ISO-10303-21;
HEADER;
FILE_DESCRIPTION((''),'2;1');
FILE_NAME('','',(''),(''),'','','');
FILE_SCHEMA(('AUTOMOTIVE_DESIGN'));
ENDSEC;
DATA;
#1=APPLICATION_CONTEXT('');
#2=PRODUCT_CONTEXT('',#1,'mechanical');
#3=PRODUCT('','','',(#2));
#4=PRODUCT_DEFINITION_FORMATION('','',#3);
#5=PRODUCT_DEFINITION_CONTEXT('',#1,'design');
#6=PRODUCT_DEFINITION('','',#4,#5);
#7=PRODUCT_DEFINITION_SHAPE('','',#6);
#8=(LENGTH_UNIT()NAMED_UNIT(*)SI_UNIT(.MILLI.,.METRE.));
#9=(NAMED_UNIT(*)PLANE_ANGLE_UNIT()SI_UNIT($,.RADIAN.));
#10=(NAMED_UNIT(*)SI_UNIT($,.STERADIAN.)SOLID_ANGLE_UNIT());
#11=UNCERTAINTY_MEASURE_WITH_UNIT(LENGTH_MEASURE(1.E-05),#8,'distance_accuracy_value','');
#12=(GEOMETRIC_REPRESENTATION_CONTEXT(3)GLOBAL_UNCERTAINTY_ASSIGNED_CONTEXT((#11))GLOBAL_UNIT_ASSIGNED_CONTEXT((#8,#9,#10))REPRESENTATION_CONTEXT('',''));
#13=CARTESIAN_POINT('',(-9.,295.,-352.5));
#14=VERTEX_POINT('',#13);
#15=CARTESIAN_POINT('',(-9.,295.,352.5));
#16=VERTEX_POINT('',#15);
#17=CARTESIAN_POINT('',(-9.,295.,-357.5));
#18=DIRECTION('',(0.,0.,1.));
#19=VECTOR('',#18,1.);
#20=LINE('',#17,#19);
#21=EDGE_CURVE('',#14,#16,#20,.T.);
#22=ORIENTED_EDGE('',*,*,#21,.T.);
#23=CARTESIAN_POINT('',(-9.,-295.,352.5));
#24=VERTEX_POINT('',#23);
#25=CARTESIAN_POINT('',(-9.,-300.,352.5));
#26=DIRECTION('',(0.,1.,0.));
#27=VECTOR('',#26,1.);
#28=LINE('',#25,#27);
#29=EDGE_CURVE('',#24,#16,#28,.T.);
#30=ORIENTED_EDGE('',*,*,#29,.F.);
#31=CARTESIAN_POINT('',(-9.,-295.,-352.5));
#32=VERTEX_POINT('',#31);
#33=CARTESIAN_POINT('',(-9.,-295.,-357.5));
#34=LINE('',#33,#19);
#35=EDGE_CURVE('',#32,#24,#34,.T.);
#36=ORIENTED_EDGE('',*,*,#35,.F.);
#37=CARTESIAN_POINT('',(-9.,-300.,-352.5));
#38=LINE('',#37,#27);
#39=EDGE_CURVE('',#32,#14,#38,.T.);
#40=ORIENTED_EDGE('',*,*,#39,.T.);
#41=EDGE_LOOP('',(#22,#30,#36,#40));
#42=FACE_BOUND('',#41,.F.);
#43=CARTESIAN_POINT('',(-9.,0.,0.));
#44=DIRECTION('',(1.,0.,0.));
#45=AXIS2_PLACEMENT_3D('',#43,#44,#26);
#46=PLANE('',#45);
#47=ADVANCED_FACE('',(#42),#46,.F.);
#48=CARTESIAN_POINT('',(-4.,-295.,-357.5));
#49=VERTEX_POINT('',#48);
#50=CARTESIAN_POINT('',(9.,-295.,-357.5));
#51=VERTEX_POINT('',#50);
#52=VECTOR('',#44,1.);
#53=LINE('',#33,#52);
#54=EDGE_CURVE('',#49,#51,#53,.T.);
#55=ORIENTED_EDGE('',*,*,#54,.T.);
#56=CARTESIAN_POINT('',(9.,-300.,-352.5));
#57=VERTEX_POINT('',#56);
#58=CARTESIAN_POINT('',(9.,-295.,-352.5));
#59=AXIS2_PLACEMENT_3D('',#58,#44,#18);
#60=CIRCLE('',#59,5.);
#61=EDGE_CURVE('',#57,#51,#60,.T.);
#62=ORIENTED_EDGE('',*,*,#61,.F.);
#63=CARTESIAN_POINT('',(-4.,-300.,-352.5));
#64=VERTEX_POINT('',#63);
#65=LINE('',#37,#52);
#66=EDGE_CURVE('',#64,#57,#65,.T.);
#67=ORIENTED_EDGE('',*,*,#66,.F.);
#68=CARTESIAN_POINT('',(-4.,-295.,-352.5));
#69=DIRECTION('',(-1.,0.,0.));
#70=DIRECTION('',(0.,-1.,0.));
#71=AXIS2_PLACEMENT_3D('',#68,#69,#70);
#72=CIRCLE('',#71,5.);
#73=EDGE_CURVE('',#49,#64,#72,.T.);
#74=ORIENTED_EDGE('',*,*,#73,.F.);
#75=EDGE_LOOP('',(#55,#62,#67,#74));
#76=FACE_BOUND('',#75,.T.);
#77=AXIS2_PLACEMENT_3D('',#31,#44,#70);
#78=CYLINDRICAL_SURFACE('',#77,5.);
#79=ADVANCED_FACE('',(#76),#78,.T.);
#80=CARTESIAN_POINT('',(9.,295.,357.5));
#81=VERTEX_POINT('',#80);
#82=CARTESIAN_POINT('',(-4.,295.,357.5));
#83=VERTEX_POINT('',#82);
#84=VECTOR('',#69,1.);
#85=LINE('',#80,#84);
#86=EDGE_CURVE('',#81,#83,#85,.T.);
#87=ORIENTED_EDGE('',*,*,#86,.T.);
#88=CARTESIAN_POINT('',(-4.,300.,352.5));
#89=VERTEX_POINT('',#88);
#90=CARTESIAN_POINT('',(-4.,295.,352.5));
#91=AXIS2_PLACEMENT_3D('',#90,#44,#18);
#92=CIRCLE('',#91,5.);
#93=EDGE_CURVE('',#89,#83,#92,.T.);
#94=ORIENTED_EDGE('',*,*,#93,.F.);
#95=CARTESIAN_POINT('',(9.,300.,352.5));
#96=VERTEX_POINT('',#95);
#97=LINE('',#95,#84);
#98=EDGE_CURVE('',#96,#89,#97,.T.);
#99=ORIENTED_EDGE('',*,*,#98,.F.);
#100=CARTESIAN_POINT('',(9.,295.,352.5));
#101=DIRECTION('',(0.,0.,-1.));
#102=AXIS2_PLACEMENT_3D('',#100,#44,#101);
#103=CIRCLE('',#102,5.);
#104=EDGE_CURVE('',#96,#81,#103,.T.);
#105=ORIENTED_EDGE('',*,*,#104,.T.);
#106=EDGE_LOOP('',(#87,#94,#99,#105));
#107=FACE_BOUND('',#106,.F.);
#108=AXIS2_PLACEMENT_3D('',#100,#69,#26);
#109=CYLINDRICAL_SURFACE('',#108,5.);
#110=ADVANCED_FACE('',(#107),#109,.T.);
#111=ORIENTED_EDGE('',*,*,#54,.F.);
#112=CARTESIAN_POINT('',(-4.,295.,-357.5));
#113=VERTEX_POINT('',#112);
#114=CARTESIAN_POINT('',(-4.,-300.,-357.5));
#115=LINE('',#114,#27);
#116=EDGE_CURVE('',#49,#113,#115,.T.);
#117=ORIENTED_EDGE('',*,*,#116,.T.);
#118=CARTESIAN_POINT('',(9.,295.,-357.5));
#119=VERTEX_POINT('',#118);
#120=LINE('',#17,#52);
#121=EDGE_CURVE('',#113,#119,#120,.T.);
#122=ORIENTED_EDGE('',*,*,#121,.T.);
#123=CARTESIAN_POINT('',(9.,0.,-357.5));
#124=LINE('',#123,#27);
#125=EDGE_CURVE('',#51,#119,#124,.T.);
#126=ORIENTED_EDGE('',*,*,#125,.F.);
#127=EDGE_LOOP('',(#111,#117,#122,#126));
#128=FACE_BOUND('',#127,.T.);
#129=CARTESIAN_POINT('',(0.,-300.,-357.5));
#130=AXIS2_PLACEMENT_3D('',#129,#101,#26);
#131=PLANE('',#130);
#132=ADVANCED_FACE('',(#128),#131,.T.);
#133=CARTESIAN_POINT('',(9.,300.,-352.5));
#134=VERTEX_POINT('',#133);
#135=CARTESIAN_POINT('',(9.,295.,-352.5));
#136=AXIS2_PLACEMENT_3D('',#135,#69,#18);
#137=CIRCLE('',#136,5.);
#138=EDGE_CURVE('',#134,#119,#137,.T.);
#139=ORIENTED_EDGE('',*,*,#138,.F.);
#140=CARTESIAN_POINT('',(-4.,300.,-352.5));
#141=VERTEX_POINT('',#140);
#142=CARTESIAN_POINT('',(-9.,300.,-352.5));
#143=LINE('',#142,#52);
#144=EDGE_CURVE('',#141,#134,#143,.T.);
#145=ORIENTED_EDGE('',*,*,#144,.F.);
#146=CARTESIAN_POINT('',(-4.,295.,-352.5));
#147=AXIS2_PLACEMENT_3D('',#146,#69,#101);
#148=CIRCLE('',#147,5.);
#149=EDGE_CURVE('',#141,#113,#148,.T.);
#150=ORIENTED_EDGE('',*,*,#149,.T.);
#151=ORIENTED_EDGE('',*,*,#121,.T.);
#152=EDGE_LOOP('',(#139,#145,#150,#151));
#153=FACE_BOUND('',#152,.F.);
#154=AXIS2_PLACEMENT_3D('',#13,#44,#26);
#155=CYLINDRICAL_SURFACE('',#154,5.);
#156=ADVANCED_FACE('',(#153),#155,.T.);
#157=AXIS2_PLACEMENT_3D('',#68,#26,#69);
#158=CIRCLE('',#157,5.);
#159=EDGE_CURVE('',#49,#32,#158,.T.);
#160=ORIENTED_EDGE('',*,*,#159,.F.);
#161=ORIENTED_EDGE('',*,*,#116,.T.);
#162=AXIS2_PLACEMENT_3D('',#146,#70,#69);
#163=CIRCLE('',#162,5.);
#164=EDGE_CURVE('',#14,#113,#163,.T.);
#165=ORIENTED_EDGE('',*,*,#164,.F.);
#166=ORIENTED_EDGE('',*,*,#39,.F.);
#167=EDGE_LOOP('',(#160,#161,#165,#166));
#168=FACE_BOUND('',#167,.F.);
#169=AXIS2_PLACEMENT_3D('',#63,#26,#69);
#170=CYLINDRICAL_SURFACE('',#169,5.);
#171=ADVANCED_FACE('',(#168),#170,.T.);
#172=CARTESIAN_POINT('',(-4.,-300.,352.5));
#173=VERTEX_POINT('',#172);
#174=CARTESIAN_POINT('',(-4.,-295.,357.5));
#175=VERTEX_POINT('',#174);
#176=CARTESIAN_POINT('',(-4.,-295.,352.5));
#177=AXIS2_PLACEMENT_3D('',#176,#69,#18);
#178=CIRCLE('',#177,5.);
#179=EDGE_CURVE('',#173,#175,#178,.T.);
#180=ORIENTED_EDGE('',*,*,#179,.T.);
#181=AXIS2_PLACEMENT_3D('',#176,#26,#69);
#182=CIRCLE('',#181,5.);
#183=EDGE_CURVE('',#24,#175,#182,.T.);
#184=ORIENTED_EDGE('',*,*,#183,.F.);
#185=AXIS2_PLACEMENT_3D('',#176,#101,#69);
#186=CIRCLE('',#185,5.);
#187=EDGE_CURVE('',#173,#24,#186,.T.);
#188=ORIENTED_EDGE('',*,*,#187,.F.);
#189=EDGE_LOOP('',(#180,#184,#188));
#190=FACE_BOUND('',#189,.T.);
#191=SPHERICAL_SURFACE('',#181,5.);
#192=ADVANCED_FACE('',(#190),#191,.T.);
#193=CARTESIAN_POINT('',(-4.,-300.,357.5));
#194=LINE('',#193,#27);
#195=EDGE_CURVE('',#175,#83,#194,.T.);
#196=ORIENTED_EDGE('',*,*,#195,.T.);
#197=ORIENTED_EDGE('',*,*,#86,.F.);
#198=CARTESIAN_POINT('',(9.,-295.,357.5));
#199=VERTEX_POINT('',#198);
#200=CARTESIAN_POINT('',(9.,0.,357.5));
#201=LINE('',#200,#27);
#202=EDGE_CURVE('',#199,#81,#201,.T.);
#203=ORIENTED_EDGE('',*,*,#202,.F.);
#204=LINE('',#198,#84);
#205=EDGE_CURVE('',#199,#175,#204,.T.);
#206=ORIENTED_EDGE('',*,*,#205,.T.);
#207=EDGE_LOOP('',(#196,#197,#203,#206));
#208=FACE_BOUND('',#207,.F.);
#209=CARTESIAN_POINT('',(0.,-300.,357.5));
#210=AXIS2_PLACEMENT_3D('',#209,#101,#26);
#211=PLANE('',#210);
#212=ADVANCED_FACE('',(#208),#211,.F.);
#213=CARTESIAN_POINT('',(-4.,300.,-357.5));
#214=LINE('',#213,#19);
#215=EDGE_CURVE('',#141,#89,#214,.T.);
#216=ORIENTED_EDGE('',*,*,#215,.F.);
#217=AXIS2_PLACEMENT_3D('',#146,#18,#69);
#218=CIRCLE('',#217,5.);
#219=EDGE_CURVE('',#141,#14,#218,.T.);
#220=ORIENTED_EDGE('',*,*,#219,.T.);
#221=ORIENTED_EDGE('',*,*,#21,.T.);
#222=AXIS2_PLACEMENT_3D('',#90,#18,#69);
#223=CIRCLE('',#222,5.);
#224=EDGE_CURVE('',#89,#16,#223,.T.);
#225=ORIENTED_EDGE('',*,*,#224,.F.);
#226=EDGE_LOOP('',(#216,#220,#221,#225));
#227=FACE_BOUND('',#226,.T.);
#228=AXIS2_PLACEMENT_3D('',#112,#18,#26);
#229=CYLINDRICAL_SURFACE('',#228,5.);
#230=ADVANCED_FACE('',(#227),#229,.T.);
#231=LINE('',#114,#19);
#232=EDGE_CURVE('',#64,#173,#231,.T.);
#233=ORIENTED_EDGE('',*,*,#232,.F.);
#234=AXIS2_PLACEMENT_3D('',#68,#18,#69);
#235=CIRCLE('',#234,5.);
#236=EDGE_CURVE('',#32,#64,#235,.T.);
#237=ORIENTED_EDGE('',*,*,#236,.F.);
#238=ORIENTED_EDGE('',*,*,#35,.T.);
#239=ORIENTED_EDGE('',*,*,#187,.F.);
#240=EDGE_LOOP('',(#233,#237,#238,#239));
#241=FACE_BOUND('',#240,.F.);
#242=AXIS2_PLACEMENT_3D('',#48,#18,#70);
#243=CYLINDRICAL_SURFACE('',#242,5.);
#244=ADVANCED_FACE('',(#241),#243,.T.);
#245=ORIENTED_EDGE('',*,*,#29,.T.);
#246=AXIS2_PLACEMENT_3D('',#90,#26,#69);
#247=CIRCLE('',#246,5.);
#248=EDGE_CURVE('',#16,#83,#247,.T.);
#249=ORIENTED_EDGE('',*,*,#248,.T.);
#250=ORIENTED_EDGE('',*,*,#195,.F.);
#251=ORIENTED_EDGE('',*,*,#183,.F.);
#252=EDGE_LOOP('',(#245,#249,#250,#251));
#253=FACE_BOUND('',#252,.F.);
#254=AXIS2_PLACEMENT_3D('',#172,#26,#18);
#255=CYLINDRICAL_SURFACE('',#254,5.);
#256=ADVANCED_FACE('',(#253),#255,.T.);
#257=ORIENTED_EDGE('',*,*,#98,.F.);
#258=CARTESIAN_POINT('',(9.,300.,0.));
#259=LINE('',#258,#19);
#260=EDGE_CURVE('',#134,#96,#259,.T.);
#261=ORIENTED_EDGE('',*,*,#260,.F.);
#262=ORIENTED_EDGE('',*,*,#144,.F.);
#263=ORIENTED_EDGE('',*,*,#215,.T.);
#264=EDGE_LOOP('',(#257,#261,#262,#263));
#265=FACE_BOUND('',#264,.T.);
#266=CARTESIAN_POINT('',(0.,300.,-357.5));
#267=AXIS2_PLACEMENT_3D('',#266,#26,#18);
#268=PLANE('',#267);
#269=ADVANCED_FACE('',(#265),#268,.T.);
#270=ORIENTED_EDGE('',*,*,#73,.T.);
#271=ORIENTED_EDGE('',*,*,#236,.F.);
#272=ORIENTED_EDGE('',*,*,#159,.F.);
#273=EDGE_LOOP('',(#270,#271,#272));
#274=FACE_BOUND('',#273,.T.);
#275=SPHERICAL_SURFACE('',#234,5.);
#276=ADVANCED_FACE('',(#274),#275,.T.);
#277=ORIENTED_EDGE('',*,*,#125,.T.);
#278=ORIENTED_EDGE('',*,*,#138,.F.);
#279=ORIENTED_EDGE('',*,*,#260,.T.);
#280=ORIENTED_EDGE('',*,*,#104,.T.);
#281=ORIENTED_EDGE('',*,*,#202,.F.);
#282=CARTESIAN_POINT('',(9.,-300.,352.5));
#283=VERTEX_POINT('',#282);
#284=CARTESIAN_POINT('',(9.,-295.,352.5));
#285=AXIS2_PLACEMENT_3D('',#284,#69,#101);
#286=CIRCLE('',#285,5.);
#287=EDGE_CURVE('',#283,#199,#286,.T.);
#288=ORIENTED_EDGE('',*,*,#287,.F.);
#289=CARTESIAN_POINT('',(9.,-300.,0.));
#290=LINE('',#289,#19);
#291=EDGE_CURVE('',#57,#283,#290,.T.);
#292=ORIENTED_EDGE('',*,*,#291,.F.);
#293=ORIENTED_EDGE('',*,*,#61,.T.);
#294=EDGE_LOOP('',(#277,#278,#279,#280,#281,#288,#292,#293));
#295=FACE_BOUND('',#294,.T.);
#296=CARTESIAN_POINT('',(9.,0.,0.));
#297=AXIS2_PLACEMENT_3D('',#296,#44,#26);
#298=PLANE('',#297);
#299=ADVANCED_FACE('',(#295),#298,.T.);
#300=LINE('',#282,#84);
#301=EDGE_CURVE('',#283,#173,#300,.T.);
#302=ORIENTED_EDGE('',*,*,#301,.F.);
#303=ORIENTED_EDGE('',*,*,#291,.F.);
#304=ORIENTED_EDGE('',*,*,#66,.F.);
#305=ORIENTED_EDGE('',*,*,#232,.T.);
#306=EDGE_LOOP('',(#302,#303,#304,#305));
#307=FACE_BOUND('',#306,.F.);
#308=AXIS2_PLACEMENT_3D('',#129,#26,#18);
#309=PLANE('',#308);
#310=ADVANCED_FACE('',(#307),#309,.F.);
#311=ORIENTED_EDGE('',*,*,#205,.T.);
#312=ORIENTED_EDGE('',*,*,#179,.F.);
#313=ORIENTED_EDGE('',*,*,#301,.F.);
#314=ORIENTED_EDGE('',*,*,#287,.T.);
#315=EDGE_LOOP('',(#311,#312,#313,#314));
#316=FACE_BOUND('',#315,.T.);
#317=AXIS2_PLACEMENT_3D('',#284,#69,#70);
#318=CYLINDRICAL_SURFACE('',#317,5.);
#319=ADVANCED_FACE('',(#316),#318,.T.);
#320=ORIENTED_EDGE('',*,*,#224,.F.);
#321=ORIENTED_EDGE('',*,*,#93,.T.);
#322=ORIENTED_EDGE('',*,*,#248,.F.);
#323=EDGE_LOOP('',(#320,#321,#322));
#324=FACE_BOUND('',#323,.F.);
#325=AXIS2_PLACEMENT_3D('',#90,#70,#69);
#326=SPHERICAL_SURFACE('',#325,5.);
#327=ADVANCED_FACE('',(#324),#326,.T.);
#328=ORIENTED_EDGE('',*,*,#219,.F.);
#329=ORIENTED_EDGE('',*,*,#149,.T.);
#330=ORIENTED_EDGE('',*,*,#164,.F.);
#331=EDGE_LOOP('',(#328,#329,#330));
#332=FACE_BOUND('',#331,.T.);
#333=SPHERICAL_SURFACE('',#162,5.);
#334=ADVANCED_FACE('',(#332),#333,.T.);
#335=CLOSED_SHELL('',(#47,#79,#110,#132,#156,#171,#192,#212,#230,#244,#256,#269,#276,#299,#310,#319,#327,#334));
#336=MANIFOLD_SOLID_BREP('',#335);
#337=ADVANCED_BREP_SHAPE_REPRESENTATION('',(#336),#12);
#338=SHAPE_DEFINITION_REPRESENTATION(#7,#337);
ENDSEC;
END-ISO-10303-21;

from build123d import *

# Parameters (mm, degrees)
F0_W     = 600
F0_H     = 715
F1_DEPTH = 9
F2_R     = 5


with BuildPart() as f1:
    # F0 (on Right) → F1 (new body, symmetric)
    with BuildSketch(Plane.YZ):
        Rectangle(F0_W, F0_H)
    extrude(amount=F1_DEPTH, both=True)

    # F2
    f2_edges = [f1.edges().sort_by_distance(p)[0] for p in [
        (-9, 0, 357.5),
        (-9, -300, 0),
        (-9, 0, -357.5),
        (-9, 300, 0),
        (0, 300, 357.5),
        (0, 300, -357.5),
        (0, -300, -357.5),
        (0, -300, 357.5),
    ]]
    fillet(f2_edges, radius=F2_R)


solid = f1.part
